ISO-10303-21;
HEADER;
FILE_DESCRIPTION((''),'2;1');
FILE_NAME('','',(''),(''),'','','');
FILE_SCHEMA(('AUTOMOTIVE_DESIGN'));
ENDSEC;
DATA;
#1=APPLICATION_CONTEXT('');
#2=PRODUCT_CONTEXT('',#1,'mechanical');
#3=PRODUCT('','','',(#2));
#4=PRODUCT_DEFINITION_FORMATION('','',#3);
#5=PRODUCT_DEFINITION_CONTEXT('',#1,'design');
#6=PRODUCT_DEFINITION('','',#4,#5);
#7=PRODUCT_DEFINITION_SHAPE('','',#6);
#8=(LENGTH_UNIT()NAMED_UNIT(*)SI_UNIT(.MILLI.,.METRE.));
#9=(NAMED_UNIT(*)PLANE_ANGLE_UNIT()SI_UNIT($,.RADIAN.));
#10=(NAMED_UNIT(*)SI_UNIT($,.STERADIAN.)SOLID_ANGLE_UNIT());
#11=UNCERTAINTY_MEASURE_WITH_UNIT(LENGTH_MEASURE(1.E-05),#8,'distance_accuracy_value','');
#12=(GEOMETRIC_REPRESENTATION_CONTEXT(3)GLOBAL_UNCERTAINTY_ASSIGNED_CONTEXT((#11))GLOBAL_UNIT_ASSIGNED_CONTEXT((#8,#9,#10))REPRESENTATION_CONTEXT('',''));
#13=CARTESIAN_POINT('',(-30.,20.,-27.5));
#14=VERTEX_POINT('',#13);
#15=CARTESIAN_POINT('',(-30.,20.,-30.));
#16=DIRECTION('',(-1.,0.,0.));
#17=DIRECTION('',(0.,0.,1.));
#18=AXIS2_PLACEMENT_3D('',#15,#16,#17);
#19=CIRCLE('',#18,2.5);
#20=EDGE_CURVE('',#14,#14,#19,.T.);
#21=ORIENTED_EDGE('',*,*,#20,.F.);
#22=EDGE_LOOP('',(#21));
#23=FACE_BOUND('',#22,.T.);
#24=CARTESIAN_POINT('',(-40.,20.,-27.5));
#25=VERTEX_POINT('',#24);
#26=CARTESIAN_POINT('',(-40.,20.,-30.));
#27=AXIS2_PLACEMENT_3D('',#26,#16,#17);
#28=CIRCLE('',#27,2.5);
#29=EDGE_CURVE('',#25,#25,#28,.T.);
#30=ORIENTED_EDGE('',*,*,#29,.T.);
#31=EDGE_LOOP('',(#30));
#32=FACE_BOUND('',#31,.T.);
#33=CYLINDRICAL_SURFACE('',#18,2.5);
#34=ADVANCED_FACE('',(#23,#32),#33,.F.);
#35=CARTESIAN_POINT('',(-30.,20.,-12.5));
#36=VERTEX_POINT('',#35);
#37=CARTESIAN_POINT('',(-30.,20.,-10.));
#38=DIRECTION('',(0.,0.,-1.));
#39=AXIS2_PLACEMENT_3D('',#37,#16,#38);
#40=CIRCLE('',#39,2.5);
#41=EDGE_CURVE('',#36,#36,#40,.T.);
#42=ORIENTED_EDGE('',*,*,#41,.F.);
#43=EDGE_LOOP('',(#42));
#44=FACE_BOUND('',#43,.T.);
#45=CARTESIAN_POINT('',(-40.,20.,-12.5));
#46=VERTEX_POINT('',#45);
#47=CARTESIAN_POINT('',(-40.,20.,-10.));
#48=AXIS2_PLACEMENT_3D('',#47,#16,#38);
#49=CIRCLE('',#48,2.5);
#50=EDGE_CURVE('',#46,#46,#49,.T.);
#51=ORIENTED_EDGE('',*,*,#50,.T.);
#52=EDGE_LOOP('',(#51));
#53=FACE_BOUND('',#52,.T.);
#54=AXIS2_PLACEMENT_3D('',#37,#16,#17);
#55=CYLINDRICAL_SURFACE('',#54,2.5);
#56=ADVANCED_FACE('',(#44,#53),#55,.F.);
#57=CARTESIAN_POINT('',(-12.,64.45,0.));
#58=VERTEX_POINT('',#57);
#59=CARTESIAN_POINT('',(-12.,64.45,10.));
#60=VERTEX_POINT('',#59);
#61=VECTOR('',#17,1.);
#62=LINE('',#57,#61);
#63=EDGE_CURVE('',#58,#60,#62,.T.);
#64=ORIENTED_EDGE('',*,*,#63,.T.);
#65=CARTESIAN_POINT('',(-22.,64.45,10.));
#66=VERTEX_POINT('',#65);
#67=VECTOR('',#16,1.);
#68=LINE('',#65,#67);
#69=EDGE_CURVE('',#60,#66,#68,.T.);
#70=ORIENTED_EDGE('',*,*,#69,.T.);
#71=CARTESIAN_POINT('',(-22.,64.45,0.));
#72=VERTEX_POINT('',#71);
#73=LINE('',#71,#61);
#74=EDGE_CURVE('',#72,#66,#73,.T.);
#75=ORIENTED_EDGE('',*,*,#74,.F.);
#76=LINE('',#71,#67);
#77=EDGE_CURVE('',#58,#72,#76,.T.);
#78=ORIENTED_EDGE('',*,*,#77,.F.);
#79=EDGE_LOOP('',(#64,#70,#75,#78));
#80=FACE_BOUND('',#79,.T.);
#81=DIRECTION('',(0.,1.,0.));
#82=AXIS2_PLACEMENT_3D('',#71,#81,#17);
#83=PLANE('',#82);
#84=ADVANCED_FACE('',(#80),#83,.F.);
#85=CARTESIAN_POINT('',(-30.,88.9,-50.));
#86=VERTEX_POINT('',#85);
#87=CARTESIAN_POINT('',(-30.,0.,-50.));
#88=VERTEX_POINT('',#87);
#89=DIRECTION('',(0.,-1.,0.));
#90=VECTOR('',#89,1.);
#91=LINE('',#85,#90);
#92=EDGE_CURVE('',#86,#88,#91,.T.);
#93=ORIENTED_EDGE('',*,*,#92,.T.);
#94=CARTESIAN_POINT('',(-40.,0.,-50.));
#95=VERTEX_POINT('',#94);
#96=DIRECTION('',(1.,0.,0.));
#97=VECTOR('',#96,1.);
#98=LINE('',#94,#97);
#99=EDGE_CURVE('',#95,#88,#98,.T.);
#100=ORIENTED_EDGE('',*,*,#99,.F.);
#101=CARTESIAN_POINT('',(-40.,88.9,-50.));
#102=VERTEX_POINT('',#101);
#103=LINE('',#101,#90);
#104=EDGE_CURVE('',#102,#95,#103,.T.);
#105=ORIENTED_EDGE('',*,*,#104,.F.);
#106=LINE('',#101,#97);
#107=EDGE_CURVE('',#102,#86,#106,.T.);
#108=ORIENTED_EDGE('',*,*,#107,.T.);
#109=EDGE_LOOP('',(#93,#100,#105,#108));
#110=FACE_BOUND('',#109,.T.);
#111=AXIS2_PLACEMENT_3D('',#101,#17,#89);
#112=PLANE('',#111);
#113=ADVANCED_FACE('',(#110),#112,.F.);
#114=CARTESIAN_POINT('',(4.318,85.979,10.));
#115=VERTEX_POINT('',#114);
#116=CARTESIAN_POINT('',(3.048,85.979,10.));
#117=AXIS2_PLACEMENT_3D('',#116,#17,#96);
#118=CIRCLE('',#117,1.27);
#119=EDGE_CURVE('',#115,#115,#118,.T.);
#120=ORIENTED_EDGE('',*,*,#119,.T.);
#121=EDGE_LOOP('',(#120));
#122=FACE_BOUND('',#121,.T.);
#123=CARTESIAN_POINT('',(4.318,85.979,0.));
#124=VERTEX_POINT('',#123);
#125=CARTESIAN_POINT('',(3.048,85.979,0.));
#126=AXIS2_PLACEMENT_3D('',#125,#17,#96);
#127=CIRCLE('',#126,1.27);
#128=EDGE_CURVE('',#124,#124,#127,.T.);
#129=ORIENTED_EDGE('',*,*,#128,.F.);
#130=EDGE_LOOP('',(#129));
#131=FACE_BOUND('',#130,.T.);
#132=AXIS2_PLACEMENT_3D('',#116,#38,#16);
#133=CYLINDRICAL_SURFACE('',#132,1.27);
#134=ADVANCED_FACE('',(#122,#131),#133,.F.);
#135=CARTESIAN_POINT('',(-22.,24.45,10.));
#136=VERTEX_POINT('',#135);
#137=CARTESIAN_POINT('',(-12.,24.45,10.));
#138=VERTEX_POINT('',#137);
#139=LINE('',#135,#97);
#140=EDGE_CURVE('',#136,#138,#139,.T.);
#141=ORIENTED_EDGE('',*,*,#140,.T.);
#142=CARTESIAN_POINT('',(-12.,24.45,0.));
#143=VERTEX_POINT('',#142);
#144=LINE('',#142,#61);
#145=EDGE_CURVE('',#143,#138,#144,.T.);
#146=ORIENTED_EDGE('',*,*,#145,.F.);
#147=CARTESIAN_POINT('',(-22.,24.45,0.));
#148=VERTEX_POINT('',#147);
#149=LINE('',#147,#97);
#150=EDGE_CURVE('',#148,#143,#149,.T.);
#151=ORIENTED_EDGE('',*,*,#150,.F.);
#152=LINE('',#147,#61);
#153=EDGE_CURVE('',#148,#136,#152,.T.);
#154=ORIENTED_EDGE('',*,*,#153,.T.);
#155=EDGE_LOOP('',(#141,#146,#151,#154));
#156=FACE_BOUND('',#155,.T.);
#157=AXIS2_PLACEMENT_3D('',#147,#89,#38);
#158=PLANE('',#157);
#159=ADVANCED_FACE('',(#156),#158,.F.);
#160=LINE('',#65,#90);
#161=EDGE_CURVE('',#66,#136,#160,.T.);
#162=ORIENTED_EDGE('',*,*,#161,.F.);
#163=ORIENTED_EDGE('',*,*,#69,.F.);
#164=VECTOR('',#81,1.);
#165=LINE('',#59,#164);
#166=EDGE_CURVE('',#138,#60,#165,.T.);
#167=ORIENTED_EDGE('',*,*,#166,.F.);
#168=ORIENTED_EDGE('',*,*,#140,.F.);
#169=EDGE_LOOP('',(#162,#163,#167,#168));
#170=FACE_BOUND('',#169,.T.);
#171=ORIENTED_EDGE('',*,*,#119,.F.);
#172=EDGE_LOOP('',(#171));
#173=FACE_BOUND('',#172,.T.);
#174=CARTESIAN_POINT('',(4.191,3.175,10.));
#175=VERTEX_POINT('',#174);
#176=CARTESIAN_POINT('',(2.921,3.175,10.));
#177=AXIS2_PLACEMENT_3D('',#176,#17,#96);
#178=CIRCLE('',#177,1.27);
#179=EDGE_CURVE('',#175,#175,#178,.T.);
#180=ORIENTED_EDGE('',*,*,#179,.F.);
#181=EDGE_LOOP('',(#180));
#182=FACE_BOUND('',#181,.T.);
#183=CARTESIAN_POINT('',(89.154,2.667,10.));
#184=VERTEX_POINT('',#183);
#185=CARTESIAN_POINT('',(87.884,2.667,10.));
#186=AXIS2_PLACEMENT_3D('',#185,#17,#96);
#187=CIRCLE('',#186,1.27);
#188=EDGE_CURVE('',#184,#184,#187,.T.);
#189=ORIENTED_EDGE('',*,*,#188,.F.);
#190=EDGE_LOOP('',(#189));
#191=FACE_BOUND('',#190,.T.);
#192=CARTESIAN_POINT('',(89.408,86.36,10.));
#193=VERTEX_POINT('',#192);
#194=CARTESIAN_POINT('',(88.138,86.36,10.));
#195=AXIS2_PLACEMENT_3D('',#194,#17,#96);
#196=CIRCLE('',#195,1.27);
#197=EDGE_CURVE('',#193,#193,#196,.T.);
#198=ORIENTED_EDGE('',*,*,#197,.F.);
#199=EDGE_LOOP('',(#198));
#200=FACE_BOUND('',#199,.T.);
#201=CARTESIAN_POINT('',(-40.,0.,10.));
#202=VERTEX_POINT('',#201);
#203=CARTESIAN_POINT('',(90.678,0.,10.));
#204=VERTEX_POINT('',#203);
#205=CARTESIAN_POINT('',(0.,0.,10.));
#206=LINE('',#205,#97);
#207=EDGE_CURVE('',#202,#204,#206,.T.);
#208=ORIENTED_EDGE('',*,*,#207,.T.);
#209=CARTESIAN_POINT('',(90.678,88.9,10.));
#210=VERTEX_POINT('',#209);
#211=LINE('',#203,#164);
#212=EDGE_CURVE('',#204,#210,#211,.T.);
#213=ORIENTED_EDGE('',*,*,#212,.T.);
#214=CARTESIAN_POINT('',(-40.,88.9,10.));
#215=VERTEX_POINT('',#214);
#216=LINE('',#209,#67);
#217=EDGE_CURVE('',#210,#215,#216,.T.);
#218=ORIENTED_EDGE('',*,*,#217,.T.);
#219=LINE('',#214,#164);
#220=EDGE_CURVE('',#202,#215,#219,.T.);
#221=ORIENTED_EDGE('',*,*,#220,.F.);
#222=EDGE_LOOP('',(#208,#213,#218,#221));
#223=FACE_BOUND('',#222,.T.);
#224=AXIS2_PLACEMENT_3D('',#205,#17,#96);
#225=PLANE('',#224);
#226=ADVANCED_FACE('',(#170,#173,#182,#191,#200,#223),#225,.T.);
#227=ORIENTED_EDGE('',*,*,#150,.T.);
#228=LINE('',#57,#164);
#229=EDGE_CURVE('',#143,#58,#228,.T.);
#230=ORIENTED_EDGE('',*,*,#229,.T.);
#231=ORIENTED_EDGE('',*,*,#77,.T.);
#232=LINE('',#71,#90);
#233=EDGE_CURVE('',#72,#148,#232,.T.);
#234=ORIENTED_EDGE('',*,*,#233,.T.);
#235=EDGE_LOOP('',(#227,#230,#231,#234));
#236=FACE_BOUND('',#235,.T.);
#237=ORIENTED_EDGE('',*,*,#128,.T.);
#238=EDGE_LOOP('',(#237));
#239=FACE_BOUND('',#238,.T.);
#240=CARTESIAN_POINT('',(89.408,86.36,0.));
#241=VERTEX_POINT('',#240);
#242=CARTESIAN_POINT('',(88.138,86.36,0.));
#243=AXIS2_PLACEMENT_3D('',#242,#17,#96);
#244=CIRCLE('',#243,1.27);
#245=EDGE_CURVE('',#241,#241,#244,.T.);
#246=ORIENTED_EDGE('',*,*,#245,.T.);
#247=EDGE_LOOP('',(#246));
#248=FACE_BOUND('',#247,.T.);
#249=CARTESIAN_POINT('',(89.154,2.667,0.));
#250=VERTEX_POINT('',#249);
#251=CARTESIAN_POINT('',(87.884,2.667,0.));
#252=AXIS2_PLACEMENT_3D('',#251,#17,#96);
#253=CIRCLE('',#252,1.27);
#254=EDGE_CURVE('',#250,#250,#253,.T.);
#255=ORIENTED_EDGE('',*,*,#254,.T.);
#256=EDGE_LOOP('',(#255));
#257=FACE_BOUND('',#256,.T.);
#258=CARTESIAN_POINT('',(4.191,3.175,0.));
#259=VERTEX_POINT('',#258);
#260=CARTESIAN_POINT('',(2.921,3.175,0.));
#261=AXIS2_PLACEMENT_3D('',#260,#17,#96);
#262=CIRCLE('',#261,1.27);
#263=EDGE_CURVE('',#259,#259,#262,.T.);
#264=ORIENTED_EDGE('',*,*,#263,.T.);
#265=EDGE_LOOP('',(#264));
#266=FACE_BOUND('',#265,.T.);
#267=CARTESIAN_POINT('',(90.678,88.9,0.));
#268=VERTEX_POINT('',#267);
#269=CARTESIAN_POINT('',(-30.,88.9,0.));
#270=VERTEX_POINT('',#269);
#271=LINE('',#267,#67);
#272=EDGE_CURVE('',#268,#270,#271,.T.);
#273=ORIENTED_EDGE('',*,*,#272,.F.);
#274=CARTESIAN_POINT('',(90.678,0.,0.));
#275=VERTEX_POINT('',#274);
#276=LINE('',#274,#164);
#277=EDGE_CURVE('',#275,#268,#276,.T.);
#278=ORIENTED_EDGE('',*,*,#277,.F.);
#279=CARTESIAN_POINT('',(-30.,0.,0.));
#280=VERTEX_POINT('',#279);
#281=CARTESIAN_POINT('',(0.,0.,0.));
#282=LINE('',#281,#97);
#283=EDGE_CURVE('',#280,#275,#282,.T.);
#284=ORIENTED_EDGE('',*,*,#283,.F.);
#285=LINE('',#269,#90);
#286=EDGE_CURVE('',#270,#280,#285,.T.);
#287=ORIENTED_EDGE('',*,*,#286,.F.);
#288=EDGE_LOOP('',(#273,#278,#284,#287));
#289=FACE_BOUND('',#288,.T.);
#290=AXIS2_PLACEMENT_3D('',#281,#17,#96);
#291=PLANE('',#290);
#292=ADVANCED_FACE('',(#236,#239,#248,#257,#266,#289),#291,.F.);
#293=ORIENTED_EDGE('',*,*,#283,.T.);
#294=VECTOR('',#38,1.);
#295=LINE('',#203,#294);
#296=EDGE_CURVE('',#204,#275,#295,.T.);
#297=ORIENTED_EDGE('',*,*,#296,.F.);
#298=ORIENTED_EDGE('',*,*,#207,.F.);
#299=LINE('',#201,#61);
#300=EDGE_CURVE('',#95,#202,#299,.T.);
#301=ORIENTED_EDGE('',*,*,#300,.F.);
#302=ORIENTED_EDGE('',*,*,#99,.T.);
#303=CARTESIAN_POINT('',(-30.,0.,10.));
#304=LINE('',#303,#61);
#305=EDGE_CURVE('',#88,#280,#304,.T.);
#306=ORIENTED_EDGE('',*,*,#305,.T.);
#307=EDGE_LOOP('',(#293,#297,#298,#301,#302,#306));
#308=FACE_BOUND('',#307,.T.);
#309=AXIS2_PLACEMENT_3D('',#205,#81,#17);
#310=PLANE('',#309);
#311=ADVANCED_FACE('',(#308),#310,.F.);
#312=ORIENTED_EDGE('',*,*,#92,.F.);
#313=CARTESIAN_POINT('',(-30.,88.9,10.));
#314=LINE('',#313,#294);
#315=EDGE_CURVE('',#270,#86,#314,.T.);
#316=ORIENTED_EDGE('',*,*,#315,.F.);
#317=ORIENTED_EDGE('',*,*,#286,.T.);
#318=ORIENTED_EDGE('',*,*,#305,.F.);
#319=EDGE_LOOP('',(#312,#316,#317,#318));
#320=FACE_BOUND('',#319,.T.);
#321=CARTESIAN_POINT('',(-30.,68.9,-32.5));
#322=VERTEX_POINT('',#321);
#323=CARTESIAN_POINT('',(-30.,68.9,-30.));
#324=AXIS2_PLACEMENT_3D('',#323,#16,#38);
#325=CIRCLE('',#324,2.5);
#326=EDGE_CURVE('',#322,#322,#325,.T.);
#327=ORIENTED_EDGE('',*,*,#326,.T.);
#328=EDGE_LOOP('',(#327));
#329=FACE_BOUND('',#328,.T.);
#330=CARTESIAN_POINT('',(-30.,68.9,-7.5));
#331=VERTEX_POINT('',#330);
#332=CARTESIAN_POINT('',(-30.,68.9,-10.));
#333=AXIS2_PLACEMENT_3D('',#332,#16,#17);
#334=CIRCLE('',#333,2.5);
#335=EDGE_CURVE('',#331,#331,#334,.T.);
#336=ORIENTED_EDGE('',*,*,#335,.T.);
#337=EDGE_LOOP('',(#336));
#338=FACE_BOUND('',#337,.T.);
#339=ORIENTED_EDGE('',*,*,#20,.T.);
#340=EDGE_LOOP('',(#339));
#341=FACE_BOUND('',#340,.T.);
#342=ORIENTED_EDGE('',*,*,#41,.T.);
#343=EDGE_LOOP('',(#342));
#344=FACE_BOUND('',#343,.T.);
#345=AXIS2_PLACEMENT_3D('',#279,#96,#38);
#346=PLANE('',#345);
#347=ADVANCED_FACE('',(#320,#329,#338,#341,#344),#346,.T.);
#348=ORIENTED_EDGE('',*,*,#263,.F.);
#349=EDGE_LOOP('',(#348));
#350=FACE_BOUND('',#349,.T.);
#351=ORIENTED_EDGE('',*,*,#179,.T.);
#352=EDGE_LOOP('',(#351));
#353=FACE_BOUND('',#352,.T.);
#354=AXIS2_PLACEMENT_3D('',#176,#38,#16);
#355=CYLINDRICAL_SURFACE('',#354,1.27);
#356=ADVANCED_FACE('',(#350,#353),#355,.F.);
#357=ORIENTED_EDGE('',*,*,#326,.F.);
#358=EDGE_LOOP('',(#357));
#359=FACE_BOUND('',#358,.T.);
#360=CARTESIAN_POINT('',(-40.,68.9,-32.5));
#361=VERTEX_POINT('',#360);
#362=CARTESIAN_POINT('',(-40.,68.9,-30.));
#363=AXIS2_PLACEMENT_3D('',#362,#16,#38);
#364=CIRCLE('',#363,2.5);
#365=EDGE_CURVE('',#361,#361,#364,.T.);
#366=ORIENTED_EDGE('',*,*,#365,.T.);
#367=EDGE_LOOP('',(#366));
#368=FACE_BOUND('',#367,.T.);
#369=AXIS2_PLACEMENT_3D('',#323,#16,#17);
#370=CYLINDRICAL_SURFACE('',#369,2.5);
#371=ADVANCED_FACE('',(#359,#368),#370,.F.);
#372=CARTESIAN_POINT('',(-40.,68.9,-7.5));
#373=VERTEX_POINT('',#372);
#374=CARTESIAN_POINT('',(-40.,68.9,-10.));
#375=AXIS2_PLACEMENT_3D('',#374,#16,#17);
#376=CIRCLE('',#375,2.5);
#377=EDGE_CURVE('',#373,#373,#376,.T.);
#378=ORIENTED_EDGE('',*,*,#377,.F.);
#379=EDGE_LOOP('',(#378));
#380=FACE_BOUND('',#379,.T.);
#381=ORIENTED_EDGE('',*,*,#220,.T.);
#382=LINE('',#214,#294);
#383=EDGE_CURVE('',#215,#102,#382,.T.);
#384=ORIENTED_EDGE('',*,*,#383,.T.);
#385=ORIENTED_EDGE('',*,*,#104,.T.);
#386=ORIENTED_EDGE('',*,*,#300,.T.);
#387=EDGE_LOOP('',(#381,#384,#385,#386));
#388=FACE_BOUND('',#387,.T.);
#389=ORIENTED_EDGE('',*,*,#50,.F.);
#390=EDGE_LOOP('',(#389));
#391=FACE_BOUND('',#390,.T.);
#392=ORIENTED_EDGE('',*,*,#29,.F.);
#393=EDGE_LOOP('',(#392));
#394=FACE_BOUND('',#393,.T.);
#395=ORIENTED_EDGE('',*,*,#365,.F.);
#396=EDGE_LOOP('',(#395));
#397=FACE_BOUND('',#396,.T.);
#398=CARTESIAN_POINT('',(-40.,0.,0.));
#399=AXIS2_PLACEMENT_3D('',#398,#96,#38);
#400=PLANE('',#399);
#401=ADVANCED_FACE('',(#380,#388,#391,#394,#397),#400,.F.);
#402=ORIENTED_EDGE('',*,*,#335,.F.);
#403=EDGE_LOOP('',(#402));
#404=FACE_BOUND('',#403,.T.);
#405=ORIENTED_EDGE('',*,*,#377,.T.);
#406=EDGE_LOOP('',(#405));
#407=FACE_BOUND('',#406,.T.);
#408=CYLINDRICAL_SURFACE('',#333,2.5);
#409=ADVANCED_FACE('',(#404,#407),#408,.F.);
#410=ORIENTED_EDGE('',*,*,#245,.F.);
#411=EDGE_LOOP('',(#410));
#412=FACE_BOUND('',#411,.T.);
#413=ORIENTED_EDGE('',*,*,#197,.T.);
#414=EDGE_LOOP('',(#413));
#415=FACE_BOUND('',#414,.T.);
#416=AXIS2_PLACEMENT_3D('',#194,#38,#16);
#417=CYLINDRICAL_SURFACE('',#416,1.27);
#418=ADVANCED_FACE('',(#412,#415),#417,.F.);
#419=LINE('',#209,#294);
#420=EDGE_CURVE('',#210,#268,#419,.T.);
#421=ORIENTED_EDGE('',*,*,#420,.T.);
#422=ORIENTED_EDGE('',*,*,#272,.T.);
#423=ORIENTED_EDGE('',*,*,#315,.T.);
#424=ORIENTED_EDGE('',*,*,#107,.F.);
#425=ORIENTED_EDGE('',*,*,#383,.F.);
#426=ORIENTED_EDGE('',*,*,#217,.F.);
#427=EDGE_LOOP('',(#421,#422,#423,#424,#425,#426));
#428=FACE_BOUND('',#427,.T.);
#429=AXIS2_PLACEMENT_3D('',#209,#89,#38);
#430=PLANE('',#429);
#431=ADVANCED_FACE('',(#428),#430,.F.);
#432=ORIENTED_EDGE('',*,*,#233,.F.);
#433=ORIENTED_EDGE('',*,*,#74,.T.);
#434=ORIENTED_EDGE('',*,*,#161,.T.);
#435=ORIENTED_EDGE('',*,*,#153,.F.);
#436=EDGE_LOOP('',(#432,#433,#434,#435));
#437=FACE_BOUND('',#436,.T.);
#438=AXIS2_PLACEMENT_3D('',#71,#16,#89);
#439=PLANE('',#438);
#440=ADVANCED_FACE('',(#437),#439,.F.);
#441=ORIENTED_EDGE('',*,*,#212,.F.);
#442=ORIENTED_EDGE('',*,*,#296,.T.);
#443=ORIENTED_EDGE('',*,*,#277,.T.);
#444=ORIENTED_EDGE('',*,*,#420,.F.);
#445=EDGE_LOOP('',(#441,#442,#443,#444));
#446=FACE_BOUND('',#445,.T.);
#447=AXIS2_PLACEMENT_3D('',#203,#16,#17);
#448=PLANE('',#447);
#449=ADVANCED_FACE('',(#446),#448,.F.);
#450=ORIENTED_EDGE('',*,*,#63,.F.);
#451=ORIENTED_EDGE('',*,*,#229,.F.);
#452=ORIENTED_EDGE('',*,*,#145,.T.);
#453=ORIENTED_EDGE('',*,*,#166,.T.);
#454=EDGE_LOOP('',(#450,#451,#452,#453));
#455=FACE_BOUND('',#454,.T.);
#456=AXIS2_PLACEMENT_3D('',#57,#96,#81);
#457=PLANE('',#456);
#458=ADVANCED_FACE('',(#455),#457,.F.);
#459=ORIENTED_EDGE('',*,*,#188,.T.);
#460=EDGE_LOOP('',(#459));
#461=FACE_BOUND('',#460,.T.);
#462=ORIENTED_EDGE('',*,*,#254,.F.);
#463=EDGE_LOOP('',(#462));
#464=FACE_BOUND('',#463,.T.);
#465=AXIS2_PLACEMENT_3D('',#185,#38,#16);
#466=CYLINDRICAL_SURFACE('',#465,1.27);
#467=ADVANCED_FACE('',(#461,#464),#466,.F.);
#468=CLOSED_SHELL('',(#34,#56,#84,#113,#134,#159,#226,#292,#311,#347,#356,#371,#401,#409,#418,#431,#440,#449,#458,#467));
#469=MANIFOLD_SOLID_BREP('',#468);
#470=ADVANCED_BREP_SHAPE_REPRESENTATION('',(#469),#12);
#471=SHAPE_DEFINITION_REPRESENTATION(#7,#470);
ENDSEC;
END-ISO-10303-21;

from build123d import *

# Parameters (mm, degrees)
SKETCH1_W           = 90.678
SKETCH1_H           = 88.9
SKETCH1_R           = 1.27
BOSS_EXTRUDE1_DEPTH = 10
SKETCH2_W           = 10
SKETCH2_H           = 88.9
BOSS_EXTRUDE2_DEPTH = 30
SKETCH5_W           = 10
SKETCH5_H           = 40
CUT_EXTRUDE1_DEPTH  = 10
SKETCH7_W           = 60
SKETCH7_H           = 88.9
BOSS_EXTRUDE3_DEPTH = 10
SKETCH8_R           = 2.5
CUT_EXTRUDE2_DEPTH  = 10


with BuildPart() as part:
    # Sketch1 → Boss-Extrude1 (new body)
    with BuildSketch(Plane.XY):
        with Locations((45.339, 44.45)):
            Rectangle(SKETCH1_W, SKETCH1_H)
        with Locations((2.921, 3.175)):
            Circle(SKETCH1_R, mode=Mode.SUBTRACT)
        with Locations((3.048, 85.979)):
            Circle(SKETCH1_R, mode=Mode.SUBTRACT)
        with Locations((87.884, 2.667)):
            Circle(SKETCH1_R, mode=Mode.SUBTRACT)
        with Locations((88.138, 86.36)):
            Circle(SKETCH1_R, mode=Mode.SUBTRACT)
    extrude(amount=BOSS_EXTRUDE1_DEPTH)

    # Sketch2 → Boss-Extrude2 (add)
    with BuildSketch(Plane.ZY):
        with Locations((5, 44.45)):
            Rectangle(SKETCH2_W, SKETCH2_H)
    extrude(amount=BOSS_EXTRUDE2_DEPTH)

    # Sketch5 → Cut-Extrude1 (cut)
    with BuildSketch(Plane.XY.offset(10)):
        with Locations((-17, 44.45)):
            Rectangle(SKETCH5_W, SKETCH5_H)
    extrude(amount=-CUT_EXTRUDE1_DEPTH, mode=Mode.SUBTRACT)

    # Sketch7 → Boss-Extrude3 (add)
    with BuildSketch(Plane.ZY.offset(30)):
        with Locations((-20, 44.45)):
            Rectangle(SKETCH7_W, SKETCH7_H)
    extrude(amount=BOSS_EXTRUDE3_DEPTH)

    # Sketch8 → Cut-Extrude2 (cut)
    with BuildSketch(Plane.ZY.offset(40)):
        with Locations((-10, 68.9)):
            Circle(SKETCH8_R)
        with Locations(Location((-10, 20, 0), (0, 0, 180))):
            Circle(SKETCH8_R)
        with Locations((-30, 20)):
            Circle(SKETCH8_R)
        with Locations(Location((-30, 68.9, 0), (0, 0, 180))):
            Circle(SKETCH8_R)
    extrude(amount=-CUT_EXTRUDE2_DEPTH, mode=Mode.SUBTRACT)


solid = part.part
